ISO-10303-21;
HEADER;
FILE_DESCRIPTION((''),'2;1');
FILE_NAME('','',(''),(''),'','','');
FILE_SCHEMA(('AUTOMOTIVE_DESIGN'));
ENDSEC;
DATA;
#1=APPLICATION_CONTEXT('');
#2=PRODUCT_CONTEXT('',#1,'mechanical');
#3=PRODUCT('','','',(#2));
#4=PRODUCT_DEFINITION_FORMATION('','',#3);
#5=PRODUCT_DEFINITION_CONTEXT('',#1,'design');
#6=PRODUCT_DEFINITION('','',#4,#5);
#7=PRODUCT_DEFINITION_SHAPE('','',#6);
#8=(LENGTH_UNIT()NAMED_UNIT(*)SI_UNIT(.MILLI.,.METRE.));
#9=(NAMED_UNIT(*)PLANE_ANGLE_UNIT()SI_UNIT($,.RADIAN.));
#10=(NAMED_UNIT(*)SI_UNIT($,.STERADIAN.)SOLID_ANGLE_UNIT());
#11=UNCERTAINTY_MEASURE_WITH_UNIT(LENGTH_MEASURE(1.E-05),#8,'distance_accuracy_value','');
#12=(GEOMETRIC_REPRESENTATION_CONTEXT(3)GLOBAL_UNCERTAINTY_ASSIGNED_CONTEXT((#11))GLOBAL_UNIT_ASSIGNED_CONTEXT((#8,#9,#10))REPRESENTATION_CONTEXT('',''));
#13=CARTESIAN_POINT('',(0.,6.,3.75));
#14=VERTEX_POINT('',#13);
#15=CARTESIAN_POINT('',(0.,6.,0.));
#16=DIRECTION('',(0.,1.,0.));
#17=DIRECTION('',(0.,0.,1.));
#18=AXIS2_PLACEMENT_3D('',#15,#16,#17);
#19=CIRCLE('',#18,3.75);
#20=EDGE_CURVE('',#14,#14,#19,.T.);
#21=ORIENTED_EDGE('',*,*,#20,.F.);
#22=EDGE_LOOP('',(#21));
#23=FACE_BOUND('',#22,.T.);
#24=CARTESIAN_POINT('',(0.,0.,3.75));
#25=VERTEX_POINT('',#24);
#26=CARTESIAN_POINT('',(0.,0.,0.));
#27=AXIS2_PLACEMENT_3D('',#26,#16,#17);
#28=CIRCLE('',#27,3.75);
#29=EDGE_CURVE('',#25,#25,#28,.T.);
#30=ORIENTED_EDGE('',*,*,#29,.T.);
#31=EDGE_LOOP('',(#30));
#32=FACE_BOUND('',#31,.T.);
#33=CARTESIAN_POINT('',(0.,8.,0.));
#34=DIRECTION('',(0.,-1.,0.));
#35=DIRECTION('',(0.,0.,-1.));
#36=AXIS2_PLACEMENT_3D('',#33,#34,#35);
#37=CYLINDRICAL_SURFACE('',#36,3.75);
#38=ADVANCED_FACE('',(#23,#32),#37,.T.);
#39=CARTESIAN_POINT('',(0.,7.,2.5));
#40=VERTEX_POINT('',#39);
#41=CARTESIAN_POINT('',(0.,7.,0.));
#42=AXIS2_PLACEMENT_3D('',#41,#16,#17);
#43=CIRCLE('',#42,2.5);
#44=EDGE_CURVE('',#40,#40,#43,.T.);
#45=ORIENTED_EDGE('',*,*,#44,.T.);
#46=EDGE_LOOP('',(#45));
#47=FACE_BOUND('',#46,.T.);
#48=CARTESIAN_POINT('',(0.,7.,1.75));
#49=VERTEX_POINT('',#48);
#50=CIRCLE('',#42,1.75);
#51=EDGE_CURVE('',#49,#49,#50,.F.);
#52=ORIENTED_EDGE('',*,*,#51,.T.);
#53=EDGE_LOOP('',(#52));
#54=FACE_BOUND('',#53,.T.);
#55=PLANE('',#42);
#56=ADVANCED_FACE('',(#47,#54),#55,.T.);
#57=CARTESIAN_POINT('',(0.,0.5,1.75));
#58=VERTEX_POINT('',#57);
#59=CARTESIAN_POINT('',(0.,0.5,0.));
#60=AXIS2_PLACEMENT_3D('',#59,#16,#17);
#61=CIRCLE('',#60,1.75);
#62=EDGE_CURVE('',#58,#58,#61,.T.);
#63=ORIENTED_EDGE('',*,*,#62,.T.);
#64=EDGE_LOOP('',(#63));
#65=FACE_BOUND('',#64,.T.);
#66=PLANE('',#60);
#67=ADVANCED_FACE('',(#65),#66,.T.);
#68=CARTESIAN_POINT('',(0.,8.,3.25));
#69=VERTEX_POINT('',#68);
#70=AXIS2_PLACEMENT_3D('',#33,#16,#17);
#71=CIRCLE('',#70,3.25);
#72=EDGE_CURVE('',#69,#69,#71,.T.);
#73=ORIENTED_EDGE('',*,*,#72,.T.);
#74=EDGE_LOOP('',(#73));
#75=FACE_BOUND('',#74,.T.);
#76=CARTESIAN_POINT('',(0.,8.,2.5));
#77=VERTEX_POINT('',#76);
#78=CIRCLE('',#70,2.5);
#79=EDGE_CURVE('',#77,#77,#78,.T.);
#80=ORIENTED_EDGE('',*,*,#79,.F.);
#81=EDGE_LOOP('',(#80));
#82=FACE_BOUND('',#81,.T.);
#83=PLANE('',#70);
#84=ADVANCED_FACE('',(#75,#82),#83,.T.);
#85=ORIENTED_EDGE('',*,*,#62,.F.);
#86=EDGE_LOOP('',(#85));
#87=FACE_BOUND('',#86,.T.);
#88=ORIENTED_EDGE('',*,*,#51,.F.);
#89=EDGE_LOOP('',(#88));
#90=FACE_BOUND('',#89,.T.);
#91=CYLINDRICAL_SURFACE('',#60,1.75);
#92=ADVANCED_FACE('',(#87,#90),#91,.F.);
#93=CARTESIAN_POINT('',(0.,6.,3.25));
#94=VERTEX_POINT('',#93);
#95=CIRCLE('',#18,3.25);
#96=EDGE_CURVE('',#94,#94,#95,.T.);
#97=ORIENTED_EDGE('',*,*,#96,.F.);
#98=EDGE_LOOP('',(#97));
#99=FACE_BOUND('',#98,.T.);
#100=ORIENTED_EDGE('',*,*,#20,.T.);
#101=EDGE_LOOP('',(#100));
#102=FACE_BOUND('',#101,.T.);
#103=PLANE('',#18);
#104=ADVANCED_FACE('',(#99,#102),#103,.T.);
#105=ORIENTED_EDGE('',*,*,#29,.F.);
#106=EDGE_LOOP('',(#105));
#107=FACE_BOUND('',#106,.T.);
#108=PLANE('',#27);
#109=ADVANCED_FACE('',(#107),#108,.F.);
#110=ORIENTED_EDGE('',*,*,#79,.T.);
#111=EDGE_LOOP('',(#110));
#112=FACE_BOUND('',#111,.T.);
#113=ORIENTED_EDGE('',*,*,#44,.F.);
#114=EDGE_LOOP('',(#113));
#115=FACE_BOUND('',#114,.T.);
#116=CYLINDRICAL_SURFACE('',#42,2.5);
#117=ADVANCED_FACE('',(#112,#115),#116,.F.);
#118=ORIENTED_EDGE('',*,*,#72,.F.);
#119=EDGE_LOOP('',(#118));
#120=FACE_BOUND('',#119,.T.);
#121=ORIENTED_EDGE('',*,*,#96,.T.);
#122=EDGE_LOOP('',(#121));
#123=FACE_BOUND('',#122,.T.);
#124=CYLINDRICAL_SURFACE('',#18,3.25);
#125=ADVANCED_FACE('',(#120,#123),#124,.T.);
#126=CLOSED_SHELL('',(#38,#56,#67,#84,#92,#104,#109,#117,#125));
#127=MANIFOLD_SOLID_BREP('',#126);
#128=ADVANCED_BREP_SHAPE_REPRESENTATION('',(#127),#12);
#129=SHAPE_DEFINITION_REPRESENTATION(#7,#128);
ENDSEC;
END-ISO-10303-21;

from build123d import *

# Parameters (mm, degrees)
SKETCH1_R           = 3.75
BOSS_EXTRUDE1_DEPTH = 8
SKETCH3_R           = 3.75
SKETCH3_R_2         = 3.25
CUT_EXTRUDE1_DEPTH  = 2
SKETCH4_R           = 1.75
CUT_EXTRUDE2_DEPTH  = 7.5
SKETCH5_R           = 2.5
CUT_EXTRUDE3_DEPTH  = 1


with BuildPart() as part:
    # Sketch1 → Boss-Extrude1 (new body)
    with BuildSketch(Plane(origin=(0, 0, 0), x_dir=(1, 0, 0), z_dir=(0, 1, 0))):
        Circle(SKETCH1_R)
    extrude(amount=BOSS_EXTRUDE1_DEPTH)

    # Sketch3 → Cut-Extrude1 (cut)
    with BuildSketch(Plane(origin=(0, 8, 0), x_dir=(1, 0, 0), z_dir=(0, 1, 0))):
        Circle(SKETCH3_R)
        Circle(SKETCH3_R_2, mode=Mode.SUBTRACT)
    extrude(amount=-CUT_EXTRUDE1_DEPTH, mode=Mode.SUBTRACT)

    # Sketch4 → Cut-Extrude2 (cut)
    with BuildSketch(Plane(origin=(0, 8, 0), x_dir=(1, 0, 0), z_dir=(0, 1, 0))):
        Circle(SKETCH4_R)
    extrude(amount=-CUT_EXTRUDE2_DEPTH, mode=Mode.SUBTRACT)

    # Sketch5 → Cut-Extrude3 (cut)
    with BuildSketch(Plane(origin=(0, 8, 0), x_dir=(1, 0, 0), z_dir=(0, 1, 0))):
        Circle(SKETCH5_R)
    extrude(amount=-CUT_EXTRUDE3_DEPTH, mode=Mode.SUBTRACT)


solid = part.part
